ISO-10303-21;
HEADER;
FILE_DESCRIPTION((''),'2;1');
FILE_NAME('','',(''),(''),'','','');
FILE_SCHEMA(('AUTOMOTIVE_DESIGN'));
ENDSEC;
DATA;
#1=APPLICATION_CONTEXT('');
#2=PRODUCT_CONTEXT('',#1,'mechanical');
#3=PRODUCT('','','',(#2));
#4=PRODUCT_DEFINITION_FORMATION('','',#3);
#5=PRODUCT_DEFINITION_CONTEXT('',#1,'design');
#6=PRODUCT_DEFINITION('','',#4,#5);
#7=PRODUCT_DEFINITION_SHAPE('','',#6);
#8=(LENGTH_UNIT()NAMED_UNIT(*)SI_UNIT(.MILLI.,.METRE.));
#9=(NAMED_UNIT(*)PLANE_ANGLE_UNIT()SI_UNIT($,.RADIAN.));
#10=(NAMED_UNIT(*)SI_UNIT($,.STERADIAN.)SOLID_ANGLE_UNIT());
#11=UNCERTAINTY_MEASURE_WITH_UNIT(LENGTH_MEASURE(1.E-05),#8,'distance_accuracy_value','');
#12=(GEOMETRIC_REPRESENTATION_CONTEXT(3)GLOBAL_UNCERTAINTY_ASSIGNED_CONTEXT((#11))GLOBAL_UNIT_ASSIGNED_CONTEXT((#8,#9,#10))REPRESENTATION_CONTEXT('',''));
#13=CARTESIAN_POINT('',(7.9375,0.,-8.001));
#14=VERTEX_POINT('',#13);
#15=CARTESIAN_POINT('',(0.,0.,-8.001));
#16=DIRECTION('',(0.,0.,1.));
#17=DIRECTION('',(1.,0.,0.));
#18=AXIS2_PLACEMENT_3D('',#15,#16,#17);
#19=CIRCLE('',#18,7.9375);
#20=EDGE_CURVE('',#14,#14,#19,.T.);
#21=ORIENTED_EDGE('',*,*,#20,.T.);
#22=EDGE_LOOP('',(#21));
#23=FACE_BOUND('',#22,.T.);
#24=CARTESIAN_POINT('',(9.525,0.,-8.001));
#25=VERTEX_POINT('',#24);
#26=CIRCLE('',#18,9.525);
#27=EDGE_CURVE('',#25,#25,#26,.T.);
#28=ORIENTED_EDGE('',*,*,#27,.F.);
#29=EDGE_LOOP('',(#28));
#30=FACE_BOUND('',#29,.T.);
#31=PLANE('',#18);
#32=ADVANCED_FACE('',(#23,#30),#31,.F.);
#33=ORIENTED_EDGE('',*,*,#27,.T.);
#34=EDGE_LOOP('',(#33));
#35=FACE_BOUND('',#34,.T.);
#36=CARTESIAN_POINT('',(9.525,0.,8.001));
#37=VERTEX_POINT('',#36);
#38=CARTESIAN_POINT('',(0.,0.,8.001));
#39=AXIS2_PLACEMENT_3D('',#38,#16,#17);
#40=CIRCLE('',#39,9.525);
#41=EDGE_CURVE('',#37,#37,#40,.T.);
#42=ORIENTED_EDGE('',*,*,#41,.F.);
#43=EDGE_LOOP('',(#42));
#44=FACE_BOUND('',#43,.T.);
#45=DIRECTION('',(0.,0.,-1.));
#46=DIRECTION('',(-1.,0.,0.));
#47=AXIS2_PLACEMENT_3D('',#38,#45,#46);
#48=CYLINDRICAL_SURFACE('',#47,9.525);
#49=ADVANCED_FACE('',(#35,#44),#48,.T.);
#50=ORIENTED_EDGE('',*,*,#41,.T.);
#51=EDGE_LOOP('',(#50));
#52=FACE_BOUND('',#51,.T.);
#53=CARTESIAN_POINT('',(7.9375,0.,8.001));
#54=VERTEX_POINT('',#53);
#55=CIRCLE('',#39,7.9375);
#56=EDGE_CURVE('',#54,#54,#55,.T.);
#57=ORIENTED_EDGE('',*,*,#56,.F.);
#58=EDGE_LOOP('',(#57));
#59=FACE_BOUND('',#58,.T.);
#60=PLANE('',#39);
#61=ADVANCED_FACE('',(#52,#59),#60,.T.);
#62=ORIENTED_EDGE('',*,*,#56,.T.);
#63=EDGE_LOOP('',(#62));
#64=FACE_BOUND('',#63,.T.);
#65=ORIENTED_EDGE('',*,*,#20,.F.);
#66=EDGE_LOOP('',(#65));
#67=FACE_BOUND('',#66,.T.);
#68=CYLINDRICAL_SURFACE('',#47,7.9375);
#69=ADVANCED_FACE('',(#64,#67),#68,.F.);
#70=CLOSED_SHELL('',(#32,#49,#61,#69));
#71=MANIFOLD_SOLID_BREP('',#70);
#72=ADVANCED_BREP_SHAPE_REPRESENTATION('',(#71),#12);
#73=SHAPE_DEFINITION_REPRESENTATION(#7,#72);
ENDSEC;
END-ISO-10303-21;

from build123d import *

# Parameters (mm, degrees)
SKETCH1_R           = 9.525
SKETCH1_R_2         = 7.9375
BOSS_EXTRUDE1_DEPTH = 8.001


with BuildPart() as part:
    # Sketch1 → Boss-Extrude1 (new body, symmetric)
    with BuildSketch(Plane.XY):
        Circle(SKETCH1_R)
        Circle(SKETCH1_R_2, mode=Mode.SUBTRACT)
    extrude(amount=BOSS_EXTRUDE1_DEPTH, both=True)


solid = part.part
